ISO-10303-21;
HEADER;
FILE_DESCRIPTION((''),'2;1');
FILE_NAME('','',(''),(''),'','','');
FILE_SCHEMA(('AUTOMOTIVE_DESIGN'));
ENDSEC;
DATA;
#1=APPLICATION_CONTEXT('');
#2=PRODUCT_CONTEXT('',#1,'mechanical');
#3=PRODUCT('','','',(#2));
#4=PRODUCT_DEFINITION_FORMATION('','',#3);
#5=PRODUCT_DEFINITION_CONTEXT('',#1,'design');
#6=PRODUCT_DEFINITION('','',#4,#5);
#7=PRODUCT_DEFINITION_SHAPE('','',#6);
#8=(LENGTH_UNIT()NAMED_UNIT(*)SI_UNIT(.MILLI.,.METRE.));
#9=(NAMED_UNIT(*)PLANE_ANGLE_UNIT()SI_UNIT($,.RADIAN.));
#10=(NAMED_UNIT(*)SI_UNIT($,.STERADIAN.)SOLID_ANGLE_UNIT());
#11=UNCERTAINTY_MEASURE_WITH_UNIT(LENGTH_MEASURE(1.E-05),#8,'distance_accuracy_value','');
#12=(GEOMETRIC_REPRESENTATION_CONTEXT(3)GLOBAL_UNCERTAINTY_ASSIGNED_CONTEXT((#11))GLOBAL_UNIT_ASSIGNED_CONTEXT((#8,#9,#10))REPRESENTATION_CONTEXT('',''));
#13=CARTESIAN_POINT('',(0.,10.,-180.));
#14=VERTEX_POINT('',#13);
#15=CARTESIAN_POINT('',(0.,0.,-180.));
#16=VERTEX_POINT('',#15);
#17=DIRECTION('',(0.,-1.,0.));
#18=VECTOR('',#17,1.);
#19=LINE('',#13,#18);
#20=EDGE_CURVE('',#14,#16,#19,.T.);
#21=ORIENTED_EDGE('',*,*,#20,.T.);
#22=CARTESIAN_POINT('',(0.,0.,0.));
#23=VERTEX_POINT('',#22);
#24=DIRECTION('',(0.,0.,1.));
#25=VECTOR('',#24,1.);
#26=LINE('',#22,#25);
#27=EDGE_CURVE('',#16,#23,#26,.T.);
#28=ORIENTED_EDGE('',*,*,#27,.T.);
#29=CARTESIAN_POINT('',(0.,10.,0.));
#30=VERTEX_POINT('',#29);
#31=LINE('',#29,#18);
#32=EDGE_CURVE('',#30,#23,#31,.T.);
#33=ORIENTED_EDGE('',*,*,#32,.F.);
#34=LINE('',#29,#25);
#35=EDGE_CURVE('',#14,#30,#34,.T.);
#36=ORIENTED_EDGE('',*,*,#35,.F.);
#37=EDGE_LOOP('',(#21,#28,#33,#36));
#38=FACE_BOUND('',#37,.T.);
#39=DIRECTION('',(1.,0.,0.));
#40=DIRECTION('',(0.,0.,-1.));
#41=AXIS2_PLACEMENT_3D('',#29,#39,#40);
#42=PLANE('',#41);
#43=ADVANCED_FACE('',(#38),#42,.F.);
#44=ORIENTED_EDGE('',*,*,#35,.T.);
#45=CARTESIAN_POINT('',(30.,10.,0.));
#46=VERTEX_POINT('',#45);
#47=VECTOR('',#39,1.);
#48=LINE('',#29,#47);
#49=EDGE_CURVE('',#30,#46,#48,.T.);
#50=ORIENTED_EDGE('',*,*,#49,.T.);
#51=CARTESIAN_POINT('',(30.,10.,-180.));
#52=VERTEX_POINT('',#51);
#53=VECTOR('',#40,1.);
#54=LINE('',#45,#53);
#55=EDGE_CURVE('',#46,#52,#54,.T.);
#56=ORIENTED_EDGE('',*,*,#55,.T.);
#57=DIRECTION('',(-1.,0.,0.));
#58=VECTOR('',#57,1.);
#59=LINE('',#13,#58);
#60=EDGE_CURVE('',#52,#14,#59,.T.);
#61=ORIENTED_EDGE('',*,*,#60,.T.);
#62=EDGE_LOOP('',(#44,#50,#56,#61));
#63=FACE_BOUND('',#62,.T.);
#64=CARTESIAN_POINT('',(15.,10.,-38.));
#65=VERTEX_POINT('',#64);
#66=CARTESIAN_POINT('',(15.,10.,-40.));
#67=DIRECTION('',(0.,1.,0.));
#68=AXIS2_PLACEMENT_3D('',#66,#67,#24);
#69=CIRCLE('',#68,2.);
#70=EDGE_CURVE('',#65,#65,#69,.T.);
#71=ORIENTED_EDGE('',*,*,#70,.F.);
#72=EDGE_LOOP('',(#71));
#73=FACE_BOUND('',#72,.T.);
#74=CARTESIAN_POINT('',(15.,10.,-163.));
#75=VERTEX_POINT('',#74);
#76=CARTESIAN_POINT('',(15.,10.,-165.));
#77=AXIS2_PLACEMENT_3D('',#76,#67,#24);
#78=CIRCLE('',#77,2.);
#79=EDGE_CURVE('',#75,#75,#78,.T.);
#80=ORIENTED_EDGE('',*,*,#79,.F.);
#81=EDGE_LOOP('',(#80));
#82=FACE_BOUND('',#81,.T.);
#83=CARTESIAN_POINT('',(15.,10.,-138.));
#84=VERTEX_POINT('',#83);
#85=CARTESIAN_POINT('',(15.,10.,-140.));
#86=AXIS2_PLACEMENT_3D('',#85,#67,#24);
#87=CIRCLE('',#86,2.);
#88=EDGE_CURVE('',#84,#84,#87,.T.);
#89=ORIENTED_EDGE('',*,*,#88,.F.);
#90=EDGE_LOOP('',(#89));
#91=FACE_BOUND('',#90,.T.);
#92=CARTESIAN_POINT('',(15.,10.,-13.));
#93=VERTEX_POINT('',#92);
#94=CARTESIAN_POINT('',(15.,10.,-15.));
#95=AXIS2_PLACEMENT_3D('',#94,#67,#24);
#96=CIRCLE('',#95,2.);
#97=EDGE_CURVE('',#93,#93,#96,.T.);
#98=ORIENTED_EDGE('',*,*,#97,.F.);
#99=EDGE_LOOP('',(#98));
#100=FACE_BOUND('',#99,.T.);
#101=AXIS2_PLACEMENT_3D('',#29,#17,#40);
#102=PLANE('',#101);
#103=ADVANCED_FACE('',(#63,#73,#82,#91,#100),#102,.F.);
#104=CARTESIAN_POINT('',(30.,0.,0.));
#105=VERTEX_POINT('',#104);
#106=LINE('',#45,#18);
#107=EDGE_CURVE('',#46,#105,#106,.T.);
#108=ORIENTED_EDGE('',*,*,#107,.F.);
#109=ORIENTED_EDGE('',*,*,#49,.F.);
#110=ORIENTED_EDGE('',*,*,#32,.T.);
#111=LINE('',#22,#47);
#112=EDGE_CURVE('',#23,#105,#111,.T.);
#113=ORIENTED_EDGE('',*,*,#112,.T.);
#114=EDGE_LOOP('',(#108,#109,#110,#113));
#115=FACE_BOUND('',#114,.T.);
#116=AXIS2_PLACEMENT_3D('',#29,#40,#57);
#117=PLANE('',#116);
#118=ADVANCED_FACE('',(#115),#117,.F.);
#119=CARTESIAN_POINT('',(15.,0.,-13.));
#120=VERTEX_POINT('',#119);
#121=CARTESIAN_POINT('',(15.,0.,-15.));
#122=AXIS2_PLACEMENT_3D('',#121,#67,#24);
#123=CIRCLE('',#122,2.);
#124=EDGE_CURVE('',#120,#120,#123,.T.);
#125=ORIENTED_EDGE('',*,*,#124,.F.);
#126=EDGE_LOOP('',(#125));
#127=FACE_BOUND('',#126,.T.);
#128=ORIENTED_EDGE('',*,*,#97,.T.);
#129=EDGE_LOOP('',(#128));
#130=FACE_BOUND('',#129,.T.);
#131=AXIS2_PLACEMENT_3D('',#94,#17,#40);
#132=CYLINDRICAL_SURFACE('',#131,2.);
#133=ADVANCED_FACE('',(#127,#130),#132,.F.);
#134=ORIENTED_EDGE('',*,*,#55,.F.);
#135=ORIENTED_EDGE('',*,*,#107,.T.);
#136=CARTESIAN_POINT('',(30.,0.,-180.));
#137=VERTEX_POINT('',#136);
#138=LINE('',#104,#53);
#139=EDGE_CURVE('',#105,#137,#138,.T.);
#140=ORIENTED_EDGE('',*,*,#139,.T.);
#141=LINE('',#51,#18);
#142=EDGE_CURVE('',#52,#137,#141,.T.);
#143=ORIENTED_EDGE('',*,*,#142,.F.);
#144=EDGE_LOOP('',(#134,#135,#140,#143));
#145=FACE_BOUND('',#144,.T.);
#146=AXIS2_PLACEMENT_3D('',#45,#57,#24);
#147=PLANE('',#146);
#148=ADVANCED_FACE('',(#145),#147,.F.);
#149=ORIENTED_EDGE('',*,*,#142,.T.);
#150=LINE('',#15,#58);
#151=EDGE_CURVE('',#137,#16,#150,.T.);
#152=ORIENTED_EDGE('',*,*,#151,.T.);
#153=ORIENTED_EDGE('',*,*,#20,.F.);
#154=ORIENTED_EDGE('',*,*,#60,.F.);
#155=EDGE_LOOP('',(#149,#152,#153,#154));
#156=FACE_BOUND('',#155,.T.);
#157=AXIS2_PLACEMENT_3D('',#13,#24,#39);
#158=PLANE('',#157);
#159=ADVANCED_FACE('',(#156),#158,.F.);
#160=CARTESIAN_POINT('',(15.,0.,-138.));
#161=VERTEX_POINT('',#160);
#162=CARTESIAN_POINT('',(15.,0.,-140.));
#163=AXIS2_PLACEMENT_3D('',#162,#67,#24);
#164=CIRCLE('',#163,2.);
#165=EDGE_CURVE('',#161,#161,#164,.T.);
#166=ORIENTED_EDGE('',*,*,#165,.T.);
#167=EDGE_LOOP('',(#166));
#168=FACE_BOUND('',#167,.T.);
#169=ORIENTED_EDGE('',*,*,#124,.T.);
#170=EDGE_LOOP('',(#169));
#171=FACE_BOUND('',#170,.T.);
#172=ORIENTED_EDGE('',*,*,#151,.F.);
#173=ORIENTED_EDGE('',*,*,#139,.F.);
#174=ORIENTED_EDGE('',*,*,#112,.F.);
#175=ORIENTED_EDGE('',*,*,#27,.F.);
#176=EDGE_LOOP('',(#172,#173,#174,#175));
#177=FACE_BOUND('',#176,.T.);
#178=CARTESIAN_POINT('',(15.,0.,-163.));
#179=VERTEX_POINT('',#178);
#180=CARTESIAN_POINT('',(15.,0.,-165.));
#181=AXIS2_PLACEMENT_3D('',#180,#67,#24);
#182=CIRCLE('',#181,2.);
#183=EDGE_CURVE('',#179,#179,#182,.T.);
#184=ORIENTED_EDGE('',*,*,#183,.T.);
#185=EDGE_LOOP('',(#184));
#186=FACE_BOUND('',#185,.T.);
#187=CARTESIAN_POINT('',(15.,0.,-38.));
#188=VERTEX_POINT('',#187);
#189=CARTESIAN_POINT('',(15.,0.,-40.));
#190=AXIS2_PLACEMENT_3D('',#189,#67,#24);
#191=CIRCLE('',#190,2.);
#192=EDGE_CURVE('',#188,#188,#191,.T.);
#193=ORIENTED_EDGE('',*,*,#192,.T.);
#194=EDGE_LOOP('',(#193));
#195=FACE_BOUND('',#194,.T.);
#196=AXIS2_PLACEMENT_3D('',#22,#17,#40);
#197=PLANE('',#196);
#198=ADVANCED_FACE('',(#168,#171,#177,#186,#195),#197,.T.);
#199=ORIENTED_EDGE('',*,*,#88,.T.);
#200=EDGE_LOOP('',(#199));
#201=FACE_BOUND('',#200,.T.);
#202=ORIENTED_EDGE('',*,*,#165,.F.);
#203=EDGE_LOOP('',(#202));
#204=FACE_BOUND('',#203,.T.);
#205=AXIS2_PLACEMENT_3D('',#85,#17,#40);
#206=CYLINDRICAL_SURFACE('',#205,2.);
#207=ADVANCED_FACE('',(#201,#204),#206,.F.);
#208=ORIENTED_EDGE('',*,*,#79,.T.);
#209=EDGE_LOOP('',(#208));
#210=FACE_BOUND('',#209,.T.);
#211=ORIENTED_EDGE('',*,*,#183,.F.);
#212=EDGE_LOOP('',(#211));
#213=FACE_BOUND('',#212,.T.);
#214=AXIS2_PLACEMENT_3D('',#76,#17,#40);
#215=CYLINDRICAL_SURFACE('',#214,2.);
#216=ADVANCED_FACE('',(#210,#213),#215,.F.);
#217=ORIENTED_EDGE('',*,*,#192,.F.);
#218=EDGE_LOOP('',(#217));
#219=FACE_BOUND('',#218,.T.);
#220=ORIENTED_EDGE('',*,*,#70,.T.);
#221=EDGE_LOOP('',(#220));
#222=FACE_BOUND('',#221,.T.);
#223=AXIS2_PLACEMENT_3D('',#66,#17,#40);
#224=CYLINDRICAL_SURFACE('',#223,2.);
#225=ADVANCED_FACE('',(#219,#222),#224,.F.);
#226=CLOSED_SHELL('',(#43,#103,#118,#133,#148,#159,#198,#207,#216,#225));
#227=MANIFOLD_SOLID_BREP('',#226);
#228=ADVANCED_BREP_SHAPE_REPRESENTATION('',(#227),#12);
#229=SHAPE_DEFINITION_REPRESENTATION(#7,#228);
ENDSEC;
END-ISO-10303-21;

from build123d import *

# Parameters (mm, degrees)
SKETCH1_W           = 30
SKETCH1_H           = 180
SKETCH1_R           = 2
BOSS_EXTRUDE1_DEPTH = 10


with BuildPart() as part:
    # Sketch1 → Boss-Extrude1 (new body)
    with BuildSketch(Plane(origin=(0, 0, 0), x_dir=(1, 0, 0), z_dir=(0, 1, 0))):
        with Locations((15, 90)):
            Rectangle(SKETCH1_W, SKETCH1_H)
        with Locations((15, 15)):
            Circle(SKETCH1_R, mode=Mode.SUBTRACT)
        with Locations((15, 140)):
            Circle(SKETCH1_R, mode=Mode.SUBTRACT)
        with Locations((15, 40)):
            Circle(SKETCH1_R, mode=Mode.SUBTRACT)
        with Locations((15, 165)):
            Circle(SKETCH1_R, mode=Mode.SUBTRACT)
    extrude(amount=BOSS_EXTRUDE1_DEPTH)


solid = part.part
